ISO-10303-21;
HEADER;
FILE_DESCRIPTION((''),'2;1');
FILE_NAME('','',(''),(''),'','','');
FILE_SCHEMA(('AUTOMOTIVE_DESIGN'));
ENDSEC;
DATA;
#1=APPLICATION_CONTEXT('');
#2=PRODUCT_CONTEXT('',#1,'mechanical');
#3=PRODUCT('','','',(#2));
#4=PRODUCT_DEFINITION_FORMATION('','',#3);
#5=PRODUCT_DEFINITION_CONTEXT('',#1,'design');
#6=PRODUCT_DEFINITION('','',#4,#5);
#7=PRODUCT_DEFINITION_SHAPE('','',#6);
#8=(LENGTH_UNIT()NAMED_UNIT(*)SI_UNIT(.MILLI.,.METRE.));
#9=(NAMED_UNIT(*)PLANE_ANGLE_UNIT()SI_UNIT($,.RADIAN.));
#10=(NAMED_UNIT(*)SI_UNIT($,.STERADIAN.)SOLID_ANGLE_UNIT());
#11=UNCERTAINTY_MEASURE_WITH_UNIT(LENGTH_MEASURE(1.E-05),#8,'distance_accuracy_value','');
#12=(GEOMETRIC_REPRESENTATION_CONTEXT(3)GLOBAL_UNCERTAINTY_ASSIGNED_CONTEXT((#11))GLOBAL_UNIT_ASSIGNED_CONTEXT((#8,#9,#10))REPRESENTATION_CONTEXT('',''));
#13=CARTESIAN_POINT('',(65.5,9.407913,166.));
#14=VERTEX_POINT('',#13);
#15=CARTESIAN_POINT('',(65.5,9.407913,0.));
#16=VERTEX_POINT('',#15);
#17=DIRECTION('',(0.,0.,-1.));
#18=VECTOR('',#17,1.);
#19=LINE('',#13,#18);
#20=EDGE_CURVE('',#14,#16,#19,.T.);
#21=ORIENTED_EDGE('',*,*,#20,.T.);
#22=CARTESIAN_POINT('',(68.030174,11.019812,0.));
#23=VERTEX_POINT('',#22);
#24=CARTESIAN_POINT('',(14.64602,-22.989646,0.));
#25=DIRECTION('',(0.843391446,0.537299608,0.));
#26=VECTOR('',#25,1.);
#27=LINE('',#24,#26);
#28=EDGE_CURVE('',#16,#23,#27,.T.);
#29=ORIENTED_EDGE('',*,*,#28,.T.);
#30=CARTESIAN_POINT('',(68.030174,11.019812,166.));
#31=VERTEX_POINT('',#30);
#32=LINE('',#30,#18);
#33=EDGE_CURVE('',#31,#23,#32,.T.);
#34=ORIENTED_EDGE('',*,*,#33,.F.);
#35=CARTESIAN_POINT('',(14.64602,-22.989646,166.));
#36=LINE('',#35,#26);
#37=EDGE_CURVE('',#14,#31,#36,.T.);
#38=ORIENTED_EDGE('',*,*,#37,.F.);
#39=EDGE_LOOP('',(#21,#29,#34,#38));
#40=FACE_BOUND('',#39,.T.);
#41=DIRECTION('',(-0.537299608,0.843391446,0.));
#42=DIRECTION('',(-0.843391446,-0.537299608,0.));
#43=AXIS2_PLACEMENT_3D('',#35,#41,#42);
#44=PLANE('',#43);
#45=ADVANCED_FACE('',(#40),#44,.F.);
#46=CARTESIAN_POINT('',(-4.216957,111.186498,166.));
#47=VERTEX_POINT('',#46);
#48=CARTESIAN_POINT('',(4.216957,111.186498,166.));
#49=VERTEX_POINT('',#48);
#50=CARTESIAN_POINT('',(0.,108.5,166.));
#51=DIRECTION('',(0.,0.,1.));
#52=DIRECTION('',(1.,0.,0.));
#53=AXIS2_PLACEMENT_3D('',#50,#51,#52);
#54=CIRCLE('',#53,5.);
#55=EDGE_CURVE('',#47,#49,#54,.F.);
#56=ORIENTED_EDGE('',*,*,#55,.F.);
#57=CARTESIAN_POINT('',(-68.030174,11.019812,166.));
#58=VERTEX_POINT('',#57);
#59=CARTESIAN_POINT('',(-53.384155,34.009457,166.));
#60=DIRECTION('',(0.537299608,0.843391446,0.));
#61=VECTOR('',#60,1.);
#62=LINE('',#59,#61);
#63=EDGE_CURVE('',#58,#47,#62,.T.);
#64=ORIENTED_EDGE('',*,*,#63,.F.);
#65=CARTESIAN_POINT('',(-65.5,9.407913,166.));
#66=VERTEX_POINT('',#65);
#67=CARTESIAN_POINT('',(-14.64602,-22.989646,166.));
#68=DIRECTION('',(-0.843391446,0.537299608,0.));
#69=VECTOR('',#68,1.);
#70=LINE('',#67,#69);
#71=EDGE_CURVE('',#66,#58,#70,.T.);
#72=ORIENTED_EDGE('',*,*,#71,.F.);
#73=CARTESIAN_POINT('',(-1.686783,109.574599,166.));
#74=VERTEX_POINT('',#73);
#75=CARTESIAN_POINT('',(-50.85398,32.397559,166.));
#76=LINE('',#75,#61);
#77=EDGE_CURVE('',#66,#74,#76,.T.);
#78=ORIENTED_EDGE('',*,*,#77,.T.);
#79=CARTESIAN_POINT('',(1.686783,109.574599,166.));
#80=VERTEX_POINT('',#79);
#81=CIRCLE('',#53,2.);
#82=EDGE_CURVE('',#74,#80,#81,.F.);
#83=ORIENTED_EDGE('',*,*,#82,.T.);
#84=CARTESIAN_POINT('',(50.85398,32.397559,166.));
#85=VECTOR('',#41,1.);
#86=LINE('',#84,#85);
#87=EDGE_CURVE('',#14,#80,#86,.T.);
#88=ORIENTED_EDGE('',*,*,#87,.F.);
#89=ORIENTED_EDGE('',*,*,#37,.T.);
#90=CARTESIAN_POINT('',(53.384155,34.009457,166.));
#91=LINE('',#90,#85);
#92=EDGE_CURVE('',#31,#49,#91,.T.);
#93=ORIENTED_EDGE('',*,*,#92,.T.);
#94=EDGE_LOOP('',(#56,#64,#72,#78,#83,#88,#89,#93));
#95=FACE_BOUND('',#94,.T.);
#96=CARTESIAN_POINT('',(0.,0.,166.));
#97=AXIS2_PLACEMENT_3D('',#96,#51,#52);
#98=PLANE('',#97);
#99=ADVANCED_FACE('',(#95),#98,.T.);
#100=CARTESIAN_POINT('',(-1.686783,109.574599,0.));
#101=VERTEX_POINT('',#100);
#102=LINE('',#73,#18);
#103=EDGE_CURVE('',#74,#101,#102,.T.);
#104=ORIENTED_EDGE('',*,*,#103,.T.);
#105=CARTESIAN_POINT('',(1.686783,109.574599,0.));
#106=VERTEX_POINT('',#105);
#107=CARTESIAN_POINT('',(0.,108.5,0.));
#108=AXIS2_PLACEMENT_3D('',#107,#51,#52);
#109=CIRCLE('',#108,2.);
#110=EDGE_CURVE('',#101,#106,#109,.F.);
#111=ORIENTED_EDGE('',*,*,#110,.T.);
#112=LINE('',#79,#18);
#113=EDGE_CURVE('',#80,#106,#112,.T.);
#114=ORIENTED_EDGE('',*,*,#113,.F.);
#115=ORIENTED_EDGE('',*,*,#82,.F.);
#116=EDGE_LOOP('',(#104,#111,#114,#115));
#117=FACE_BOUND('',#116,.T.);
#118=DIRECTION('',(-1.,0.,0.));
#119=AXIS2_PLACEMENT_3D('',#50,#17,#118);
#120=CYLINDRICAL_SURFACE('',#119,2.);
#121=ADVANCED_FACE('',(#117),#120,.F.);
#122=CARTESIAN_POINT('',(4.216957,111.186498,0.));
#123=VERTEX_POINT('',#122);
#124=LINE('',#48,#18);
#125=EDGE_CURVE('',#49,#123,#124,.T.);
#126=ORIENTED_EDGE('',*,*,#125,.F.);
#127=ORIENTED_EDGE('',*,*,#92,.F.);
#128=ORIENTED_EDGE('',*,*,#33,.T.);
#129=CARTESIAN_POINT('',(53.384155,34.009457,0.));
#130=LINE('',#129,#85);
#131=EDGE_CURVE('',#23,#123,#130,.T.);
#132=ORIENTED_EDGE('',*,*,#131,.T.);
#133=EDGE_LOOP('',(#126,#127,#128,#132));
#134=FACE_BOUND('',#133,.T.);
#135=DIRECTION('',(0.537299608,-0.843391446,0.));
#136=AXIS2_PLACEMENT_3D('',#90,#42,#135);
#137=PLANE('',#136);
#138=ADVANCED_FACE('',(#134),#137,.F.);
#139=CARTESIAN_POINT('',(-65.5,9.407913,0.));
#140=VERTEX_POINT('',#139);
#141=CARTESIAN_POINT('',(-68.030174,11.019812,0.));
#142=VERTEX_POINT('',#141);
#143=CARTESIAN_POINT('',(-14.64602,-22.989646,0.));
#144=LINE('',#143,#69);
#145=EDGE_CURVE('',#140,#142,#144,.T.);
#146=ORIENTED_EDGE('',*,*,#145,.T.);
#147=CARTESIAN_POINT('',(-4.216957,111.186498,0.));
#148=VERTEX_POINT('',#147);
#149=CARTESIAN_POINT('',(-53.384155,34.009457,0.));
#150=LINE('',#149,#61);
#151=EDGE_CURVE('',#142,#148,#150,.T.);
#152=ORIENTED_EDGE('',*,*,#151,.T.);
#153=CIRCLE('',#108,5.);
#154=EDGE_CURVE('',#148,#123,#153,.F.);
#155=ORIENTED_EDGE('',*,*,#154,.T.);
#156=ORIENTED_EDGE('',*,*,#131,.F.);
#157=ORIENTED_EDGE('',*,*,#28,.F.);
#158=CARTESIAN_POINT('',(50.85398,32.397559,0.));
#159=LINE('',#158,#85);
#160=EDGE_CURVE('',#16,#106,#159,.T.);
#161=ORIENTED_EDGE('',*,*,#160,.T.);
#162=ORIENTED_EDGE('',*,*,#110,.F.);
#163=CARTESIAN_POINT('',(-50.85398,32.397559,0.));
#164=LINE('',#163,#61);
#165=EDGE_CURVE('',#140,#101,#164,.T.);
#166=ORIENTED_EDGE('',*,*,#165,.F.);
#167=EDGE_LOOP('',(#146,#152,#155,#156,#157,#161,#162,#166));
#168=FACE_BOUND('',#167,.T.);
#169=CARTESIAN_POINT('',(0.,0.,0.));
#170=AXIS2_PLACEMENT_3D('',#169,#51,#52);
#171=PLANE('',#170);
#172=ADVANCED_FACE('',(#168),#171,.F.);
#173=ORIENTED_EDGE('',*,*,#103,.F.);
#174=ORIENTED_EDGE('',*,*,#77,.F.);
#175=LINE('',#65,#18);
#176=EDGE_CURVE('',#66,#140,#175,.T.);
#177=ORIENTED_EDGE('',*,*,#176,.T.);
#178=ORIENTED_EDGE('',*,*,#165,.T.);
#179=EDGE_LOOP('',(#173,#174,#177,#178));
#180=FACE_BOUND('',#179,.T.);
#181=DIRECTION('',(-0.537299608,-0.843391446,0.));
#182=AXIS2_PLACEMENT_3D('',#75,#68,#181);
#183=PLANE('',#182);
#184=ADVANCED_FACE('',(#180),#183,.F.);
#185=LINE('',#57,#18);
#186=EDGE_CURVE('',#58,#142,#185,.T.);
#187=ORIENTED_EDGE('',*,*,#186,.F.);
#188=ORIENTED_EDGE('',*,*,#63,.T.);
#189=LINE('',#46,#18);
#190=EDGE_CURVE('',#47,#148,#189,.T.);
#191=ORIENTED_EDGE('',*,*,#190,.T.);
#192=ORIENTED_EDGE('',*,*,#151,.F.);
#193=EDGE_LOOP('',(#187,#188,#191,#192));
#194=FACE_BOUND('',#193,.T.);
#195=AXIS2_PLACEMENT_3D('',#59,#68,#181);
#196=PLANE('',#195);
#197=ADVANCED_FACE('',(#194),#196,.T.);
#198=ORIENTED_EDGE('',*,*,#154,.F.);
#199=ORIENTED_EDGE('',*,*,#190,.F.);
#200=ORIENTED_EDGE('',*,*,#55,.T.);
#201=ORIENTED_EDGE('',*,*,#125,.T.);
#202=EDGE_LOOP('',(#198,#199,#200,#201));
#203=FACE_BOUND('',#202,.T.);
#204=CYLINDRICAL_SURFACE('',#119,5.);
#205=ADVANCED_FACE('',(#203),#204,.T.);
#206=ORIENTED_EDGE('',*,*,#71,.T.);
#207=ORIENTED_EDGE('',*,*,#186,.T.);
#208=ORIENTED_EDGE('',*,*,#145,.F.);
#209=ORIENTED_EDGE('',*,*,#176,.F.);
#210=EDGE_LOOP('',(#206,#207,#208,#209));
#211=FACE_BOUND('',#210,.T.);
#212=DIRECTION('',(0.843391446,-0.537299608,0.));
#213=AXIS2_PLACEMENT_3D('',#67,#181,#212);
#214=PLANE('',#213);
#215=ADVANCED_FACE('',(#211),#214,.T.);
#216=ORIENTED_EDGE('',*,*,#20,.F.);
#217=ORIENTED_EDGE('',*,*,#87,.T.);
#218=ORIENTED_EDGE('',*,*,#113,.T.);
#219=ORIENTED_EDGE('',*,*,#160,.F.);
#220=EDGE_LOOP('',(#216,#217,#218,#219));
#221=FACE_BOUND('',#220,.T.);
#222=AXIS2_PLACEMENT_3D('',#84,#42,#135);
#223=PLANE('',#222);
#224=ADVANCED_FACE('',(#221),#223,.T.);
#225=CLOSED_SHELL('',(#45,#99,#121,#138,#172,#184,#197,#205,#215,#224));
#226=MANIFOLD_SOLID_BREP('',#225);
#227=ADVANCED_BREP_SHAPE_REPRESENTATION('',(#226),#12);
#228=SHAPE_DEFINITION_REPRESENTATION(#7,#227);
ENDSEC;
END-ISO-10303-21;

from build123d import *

# Parameters (mm, degrees)
BOSS_EXTRUDE1_DEPTH = 166


with BuildPart() as part:
    # Sketch1 → Boss-Extrude1 (new body)
    with BuildSketch(Plane.XY):
        with BuildLine():
            ThreePointArc((-4.216957229, 111.186498042), (0, 113.5), (4.216957229, 111.186498042))
            Line((4.216957229, 111.186498042), (68.030174337, 11.019811517))
            Line((68.030174337, 11.019811517), (65.5, 9.407912692))
            Line((65.5, 9.407912692), (1.686782892, 109.574599217))
            ThreePointArc((1.686782892, 109.574599217), (0, 110.5), (-1.686782892, 109.574599217))
            Line((-1.686782892, 109.574599217), (-65.5, 9.407912692))
            Line((-65.5, 9.407912692), (-68.030174337, 11.019811517))
            Line((-68.030174337, 11.019811517), (-4.216957229, 111.186498042))
        make_face()
    extrude(amount=BOSS_EXTRUDE1_DEPTH)


solid = part.part
